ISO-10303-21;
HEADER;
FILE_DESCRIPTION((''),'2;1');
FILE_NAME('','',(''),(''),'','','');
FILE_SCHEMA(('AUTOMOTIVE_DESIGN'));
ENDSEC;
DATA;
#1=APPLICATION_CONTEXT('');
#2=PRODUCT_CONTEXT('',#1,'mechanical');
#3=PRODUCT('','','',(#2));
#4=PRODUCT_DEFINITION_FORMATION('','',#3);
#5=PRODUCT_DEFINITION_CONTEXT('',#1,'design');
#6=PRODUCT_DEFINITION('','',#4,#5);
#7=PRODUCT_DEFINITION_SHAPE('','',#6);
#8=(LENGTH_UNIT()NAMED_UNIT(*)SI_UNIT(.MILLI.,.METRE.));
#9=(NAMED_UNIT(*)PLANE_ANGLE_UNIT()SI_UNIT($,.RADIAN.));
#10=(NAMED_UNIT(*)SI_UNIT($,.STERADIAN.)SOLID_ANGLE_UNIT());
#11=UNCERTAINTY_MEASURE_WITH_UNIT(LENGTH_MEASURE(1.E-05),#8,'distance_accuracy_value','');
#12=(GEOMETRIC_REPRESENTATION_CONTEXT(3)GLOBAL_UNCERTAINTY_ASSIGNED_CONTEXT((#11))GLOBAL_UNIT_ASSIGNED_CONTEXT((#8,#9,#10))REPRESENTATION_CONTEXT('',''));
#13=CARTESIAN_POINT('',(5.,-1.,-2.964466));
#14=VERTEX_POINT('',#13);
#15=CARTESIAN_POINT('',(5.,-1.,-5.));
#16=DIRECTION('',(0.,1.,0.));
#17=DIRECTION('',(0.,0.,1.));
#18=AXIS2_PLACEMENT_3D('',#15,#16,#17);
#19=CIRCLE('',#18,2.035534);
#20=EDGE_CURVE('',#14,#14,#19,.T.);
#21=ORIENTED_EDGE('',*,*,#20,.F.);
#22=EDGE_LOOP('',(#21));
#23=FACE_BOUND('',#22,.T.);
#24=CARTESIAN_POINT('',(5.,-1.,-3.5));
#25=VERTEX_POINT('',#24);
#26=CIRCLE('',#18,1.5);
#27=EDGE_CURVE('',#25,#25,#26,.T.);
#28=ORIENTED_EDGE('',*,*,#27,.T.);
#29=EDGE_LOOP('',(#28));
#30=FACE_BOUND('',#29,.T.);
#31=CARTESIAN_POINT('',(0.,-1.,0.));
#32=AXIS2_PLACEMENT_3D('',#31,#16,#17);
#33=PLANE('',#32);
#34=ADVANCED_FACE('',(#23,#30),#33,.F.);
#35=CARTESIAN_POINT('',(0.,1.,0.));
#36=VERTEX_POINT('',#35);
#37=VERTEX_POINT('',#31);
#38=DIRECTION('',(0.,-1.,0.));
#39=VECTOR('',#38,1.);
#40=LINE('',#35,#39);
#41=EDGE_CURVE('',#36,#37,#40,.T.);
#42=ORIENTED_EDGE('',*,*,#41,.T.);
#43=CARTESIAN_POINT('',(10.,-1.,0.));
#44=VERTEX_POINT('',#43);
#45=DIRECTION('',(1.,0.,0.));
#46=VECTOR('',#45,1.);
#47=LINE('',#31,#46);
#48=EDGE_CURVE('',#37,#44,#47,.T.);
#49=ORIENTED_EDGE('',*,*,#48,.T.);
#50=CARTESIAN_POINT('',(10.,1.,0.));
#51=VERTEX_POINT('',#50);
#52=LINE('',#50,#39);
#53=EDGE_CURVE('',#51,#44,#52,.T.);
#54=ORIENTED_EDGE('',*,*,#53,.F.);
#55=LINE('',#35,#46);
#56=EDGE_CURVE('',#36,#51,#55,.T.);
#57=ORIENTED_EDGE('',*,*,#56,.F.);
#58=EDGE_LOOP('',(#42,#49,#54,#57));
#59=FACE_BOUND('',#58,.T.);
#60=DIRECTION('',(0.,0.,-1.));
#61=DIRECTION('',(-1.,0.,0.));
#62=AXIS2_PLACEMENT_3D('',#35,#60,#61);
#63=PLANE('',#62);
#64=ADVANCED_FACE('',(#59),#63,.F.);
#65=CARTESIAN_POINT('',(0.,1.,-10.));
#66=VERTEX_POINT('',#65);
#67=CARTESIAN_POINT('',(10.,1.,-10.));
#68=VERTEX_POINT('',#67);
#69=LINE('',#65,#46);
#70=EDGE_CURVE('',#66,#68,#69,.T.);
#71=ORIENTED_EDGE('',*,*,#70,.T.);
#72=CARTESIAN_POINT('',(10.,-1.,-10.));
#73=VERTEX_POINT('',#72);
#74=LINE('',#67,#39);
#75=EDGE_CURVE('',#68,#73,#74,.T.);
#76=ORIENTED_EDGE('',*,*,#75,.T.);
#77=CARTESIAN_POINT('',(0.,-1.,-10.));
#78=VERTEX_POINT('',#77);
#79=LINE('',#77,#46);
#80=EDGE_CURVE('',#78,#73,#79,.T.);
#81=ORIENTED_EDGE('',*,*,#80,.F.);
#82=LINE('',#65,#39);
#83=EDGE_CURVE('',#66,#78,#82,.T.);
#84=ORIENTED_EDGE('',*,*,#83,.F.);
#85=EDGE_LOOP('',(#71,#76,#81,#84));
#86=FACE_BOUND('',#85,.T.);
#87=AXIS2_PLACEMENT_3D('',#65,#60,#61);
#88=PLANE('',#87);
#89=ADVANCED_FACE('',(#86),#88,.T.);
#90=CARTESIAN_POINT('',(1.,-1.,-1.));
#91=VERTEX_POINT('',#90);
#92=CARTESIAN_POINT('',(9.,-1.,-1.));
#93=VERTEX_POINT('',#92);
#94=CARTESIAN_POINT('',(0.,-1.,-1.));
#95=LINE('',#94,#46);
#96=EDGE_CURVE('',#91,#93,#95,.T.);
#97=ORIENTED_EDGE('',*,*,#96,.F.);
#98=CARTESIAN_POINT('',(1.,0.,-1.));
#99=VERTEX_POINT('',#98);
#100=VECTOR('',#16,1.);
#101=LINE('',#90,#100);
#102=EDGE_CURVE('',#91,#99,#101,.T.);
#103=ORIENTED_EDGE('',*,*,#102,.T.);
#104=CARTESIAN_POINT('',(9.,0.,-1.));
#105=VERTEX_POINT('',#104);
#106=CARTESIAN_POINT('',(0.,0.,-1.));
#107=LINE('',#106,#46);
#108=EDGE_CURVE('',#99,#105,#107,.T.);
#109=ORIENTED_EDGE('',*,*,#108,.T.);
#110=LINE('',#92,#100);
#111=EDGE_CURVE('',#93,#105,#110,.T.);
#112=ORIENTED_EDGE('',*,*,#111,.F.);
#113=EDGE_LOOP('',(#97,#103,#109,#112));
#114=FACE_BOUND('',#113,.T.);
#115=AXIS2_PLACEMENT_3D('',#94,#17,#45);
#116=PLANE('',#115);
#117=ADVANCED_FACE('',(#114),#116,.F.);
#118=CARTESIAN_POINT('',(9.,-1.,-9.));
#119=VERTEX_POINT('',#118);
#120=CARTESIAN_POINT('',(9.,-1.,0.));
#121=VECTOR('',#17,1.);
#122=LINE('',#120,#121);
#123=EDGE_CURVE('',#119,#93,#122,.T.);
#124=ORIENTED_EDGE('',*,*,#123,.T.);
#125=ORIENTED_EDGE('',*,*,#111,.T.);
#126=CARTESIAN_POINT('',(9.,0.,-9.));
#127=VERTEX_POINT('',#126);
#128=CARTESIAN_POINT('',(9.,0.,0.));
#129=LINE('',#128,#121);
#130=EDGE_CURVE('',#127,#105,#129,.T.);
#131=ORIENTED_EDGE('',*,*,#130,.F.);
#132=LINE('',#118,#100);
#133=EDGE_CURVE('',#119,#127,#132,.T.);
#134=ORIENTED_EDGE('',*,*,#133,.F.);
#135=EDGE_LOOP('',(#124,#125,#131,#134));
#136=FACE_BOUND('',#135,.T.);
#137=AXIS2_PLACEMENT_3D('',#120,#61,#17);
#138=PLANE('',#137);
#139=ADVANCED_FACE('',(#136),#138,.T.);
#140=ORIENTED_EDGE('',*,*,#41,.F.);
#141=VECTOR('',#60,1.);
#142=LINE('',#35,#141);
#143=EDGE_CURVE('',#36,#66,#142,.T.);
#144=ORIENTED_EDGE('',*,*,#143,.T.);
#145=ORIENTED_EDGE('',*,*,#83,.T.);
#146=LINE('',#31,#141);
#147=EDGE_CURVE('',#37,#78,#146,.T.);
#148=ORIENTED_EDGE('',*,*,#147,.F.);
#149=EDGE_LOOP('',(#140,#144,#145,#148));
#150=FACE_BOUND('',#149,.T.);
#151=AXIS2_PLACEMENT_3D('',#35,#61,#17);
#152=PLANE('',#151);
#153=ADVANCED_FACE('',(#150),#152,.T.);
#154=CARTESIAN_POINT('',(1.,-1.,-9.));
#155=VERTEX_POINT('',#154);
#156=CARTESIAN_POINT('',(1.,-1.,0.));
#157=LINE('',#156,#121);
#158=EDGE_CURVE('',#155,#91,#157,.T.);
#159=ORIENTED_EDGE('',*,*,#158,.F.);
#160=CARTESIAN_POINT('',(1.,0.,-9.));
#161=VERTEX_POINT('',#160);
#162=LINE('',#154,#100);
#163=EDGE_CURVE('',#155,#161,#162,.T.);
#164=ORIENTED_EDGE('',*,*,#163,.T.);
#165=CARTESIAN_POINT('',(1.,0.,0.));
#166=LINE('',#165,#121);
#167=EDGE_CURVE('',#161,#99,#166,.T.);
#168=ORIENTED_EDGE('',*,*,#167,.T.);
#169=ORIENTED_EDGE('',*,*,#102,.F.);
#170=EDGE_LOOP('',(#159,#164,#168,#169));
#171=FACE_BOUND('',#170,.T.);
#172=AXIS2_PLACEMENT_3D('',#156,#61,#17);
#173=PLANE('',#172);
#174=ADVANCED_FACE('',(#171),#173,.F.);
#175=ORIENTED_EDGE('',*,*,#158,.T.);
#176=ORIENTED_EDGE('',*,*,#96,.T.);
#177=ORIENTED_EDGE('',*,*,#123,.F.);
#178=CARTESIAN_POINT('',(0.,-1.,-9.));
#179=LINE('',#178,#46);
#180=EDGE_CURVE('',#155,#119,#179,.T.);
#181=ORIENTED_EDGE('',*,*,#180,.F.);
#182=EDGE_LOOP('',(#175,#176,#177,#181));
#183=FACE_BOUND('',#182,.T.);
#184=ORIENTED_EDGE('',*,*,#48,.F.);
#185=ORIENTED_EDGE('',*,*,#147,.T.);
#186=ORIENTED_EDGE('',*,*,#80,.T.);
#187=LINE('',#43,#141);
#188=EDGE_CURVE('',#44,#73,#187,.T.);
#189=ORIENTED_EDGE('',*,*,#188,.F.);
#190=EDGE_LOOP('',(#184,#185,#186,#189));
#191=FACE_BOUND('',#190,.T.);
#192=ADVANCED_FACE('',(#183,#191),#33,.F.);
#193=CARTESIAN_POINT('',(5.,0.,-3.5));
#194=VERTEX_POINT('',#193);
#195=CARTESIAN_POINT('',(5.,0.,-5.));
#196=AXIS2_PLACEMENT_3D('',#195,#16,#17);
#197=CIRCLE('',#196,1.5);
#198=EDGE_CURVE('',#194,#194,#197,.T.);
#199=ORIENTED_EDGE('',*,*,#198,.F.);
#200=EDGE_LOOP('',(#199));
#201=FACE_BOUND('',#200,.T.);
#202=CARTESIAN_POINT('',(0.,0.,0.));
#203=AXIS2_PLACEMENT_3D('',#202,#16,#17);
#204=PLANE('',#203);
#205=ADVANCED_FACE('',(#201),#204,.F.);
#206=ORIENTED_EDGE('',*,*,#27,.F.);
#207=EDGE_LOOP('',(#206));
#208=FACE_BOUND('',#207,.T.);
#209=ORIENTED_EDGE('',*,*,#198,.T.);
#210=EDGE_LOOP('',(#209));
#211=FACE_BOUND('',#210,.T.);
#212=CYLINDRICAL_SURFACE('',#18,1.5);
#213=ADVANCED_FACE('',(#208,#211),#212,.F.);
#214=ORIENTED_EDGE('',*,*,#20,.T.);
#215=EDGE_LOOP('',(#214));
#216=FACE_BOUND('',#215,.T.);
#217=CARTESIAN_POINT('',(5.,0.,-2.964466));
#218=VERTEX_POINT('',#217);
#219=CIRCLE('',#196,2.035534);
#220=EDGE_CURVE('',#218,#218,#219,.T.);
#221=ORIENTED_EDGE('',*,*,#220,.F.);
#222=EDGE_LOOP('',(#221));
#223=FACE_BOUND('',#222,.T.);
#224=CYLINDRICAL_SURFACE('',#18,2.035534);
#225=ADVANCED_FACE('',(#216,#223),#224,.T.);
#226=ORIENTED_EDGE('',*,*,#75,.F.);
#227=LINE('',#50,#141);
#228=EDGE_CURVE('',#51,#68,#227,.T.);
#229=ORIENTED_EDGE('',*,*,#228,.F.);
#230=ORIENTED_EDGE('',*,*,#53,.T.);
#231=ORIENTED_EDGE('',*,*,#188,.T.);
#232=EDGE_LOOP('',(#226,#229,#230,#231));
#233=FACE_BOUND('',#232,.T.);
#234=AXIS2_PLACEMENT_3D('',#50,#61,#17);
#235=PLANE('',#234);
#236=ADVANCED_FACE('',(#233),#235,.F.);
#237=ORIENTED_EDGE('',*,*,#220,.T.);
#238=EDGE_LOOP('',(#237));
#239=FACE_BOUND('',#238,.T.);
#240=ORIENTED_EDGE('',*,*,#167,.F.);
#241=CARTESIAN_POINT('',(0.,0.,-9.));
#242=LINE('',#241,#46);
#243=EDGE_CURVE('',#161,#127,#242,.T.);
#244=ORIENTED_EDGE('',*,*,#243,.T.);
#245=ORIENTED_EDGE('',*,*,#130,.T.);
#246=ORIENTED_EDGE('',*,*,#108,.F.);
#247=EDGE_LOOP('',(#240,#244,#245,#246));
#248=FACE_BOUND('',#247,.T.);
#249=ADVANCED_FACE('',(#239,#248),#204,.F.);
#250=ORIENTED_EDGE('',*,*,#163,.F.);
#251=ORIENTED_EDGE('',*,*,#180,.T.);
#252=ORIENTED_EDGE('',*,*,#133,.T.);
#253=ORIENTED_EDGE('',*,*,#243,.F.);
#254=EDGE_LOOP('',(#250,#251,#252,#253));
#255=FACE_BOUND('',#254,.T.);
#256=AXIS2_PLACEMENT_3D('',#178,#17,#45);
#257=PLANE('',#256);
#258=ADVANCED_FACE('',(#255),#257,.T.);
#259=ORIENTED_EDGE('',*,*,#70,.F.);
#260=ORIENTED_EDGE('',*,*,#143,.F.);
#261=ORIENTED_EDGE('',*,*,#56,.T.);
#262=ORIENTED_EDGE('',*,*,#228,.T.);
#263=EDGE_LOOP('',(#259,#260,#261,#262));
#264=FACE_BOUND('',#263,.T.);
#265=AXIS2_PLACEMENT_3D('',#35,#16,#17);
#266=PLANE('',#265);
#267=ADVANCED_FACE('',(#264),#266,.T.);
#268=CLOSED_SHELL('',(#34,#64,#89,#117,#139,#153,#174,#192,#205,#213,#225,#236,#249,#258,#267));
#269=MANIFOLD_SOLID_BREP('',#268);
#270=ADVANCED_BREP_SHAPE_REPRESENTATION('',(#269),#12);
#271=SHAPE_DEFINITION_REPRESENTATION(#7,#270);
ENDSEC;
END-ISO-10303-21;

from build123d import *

# Parameters (mm, degrees)
SKETCH1_W           = 10
SKETCH1_H           = 10
BOSS_EXTRUDE1_DEPTH = 1
SKETCH1_4_W         = 10
SKETCH1_4_H         = 10
SKETCH1_4_W_2       = 8
SKETCH1_4_H_2       = 8
SKETCH1_4_R         = 2.035533906
SKETCH1_4_R_2       = 1.5
BOSS_EXTRUDE3_DEPTH = 1


with BuildPart() as part:
    # Sketch1 → Boss-Extrude1 (new body)
    with BuildSketch(Plane(origin=(0, 0, 0), x_dir=(1, 0, 0), z_dir=(0, 1, 0))):
        with Locations((5, 5)):
            Rectangle(SKETCH1_W, SKETCH1_H)
    extrude(amount=BOSS_EXTRUDE1_DEPTH)

    # Sketch1<4> → Boss-Extrude3 (add)
    # profile 1 of 2: a face of its own
    with BuildSketch(Plane(origin=(0, 0, 0), x_dir=(1, 0, 0), z_dir=(0, 1, 0))):
        with Locations((5, 5)):
            Rectangle(SKETCH1_4_W, SKETCH1_4_H)
        with Locations((5, 5)):
            Rectangle(SKETCH1_4_W_2, SKETCH1_4_H_2, mode=Mode.SUBTRACT)
    # profile 2 of 2: a face of its own
    with BuildSketch(Plane(origin=(0, 0, 0), x_dir=(1, 0, 0), z_dir=(0, 1, 0))):
        with Locations((5, 5)):
            Circle(SKETCH1_4_R)
        with Locations((5, 5)):
            Circle(SKETCH1_4_R_2, mode=Mode.SUBTRACT)
    extrude(amount=-BOSS_EXTRUDE3_DEPTH)


solid = part.part
